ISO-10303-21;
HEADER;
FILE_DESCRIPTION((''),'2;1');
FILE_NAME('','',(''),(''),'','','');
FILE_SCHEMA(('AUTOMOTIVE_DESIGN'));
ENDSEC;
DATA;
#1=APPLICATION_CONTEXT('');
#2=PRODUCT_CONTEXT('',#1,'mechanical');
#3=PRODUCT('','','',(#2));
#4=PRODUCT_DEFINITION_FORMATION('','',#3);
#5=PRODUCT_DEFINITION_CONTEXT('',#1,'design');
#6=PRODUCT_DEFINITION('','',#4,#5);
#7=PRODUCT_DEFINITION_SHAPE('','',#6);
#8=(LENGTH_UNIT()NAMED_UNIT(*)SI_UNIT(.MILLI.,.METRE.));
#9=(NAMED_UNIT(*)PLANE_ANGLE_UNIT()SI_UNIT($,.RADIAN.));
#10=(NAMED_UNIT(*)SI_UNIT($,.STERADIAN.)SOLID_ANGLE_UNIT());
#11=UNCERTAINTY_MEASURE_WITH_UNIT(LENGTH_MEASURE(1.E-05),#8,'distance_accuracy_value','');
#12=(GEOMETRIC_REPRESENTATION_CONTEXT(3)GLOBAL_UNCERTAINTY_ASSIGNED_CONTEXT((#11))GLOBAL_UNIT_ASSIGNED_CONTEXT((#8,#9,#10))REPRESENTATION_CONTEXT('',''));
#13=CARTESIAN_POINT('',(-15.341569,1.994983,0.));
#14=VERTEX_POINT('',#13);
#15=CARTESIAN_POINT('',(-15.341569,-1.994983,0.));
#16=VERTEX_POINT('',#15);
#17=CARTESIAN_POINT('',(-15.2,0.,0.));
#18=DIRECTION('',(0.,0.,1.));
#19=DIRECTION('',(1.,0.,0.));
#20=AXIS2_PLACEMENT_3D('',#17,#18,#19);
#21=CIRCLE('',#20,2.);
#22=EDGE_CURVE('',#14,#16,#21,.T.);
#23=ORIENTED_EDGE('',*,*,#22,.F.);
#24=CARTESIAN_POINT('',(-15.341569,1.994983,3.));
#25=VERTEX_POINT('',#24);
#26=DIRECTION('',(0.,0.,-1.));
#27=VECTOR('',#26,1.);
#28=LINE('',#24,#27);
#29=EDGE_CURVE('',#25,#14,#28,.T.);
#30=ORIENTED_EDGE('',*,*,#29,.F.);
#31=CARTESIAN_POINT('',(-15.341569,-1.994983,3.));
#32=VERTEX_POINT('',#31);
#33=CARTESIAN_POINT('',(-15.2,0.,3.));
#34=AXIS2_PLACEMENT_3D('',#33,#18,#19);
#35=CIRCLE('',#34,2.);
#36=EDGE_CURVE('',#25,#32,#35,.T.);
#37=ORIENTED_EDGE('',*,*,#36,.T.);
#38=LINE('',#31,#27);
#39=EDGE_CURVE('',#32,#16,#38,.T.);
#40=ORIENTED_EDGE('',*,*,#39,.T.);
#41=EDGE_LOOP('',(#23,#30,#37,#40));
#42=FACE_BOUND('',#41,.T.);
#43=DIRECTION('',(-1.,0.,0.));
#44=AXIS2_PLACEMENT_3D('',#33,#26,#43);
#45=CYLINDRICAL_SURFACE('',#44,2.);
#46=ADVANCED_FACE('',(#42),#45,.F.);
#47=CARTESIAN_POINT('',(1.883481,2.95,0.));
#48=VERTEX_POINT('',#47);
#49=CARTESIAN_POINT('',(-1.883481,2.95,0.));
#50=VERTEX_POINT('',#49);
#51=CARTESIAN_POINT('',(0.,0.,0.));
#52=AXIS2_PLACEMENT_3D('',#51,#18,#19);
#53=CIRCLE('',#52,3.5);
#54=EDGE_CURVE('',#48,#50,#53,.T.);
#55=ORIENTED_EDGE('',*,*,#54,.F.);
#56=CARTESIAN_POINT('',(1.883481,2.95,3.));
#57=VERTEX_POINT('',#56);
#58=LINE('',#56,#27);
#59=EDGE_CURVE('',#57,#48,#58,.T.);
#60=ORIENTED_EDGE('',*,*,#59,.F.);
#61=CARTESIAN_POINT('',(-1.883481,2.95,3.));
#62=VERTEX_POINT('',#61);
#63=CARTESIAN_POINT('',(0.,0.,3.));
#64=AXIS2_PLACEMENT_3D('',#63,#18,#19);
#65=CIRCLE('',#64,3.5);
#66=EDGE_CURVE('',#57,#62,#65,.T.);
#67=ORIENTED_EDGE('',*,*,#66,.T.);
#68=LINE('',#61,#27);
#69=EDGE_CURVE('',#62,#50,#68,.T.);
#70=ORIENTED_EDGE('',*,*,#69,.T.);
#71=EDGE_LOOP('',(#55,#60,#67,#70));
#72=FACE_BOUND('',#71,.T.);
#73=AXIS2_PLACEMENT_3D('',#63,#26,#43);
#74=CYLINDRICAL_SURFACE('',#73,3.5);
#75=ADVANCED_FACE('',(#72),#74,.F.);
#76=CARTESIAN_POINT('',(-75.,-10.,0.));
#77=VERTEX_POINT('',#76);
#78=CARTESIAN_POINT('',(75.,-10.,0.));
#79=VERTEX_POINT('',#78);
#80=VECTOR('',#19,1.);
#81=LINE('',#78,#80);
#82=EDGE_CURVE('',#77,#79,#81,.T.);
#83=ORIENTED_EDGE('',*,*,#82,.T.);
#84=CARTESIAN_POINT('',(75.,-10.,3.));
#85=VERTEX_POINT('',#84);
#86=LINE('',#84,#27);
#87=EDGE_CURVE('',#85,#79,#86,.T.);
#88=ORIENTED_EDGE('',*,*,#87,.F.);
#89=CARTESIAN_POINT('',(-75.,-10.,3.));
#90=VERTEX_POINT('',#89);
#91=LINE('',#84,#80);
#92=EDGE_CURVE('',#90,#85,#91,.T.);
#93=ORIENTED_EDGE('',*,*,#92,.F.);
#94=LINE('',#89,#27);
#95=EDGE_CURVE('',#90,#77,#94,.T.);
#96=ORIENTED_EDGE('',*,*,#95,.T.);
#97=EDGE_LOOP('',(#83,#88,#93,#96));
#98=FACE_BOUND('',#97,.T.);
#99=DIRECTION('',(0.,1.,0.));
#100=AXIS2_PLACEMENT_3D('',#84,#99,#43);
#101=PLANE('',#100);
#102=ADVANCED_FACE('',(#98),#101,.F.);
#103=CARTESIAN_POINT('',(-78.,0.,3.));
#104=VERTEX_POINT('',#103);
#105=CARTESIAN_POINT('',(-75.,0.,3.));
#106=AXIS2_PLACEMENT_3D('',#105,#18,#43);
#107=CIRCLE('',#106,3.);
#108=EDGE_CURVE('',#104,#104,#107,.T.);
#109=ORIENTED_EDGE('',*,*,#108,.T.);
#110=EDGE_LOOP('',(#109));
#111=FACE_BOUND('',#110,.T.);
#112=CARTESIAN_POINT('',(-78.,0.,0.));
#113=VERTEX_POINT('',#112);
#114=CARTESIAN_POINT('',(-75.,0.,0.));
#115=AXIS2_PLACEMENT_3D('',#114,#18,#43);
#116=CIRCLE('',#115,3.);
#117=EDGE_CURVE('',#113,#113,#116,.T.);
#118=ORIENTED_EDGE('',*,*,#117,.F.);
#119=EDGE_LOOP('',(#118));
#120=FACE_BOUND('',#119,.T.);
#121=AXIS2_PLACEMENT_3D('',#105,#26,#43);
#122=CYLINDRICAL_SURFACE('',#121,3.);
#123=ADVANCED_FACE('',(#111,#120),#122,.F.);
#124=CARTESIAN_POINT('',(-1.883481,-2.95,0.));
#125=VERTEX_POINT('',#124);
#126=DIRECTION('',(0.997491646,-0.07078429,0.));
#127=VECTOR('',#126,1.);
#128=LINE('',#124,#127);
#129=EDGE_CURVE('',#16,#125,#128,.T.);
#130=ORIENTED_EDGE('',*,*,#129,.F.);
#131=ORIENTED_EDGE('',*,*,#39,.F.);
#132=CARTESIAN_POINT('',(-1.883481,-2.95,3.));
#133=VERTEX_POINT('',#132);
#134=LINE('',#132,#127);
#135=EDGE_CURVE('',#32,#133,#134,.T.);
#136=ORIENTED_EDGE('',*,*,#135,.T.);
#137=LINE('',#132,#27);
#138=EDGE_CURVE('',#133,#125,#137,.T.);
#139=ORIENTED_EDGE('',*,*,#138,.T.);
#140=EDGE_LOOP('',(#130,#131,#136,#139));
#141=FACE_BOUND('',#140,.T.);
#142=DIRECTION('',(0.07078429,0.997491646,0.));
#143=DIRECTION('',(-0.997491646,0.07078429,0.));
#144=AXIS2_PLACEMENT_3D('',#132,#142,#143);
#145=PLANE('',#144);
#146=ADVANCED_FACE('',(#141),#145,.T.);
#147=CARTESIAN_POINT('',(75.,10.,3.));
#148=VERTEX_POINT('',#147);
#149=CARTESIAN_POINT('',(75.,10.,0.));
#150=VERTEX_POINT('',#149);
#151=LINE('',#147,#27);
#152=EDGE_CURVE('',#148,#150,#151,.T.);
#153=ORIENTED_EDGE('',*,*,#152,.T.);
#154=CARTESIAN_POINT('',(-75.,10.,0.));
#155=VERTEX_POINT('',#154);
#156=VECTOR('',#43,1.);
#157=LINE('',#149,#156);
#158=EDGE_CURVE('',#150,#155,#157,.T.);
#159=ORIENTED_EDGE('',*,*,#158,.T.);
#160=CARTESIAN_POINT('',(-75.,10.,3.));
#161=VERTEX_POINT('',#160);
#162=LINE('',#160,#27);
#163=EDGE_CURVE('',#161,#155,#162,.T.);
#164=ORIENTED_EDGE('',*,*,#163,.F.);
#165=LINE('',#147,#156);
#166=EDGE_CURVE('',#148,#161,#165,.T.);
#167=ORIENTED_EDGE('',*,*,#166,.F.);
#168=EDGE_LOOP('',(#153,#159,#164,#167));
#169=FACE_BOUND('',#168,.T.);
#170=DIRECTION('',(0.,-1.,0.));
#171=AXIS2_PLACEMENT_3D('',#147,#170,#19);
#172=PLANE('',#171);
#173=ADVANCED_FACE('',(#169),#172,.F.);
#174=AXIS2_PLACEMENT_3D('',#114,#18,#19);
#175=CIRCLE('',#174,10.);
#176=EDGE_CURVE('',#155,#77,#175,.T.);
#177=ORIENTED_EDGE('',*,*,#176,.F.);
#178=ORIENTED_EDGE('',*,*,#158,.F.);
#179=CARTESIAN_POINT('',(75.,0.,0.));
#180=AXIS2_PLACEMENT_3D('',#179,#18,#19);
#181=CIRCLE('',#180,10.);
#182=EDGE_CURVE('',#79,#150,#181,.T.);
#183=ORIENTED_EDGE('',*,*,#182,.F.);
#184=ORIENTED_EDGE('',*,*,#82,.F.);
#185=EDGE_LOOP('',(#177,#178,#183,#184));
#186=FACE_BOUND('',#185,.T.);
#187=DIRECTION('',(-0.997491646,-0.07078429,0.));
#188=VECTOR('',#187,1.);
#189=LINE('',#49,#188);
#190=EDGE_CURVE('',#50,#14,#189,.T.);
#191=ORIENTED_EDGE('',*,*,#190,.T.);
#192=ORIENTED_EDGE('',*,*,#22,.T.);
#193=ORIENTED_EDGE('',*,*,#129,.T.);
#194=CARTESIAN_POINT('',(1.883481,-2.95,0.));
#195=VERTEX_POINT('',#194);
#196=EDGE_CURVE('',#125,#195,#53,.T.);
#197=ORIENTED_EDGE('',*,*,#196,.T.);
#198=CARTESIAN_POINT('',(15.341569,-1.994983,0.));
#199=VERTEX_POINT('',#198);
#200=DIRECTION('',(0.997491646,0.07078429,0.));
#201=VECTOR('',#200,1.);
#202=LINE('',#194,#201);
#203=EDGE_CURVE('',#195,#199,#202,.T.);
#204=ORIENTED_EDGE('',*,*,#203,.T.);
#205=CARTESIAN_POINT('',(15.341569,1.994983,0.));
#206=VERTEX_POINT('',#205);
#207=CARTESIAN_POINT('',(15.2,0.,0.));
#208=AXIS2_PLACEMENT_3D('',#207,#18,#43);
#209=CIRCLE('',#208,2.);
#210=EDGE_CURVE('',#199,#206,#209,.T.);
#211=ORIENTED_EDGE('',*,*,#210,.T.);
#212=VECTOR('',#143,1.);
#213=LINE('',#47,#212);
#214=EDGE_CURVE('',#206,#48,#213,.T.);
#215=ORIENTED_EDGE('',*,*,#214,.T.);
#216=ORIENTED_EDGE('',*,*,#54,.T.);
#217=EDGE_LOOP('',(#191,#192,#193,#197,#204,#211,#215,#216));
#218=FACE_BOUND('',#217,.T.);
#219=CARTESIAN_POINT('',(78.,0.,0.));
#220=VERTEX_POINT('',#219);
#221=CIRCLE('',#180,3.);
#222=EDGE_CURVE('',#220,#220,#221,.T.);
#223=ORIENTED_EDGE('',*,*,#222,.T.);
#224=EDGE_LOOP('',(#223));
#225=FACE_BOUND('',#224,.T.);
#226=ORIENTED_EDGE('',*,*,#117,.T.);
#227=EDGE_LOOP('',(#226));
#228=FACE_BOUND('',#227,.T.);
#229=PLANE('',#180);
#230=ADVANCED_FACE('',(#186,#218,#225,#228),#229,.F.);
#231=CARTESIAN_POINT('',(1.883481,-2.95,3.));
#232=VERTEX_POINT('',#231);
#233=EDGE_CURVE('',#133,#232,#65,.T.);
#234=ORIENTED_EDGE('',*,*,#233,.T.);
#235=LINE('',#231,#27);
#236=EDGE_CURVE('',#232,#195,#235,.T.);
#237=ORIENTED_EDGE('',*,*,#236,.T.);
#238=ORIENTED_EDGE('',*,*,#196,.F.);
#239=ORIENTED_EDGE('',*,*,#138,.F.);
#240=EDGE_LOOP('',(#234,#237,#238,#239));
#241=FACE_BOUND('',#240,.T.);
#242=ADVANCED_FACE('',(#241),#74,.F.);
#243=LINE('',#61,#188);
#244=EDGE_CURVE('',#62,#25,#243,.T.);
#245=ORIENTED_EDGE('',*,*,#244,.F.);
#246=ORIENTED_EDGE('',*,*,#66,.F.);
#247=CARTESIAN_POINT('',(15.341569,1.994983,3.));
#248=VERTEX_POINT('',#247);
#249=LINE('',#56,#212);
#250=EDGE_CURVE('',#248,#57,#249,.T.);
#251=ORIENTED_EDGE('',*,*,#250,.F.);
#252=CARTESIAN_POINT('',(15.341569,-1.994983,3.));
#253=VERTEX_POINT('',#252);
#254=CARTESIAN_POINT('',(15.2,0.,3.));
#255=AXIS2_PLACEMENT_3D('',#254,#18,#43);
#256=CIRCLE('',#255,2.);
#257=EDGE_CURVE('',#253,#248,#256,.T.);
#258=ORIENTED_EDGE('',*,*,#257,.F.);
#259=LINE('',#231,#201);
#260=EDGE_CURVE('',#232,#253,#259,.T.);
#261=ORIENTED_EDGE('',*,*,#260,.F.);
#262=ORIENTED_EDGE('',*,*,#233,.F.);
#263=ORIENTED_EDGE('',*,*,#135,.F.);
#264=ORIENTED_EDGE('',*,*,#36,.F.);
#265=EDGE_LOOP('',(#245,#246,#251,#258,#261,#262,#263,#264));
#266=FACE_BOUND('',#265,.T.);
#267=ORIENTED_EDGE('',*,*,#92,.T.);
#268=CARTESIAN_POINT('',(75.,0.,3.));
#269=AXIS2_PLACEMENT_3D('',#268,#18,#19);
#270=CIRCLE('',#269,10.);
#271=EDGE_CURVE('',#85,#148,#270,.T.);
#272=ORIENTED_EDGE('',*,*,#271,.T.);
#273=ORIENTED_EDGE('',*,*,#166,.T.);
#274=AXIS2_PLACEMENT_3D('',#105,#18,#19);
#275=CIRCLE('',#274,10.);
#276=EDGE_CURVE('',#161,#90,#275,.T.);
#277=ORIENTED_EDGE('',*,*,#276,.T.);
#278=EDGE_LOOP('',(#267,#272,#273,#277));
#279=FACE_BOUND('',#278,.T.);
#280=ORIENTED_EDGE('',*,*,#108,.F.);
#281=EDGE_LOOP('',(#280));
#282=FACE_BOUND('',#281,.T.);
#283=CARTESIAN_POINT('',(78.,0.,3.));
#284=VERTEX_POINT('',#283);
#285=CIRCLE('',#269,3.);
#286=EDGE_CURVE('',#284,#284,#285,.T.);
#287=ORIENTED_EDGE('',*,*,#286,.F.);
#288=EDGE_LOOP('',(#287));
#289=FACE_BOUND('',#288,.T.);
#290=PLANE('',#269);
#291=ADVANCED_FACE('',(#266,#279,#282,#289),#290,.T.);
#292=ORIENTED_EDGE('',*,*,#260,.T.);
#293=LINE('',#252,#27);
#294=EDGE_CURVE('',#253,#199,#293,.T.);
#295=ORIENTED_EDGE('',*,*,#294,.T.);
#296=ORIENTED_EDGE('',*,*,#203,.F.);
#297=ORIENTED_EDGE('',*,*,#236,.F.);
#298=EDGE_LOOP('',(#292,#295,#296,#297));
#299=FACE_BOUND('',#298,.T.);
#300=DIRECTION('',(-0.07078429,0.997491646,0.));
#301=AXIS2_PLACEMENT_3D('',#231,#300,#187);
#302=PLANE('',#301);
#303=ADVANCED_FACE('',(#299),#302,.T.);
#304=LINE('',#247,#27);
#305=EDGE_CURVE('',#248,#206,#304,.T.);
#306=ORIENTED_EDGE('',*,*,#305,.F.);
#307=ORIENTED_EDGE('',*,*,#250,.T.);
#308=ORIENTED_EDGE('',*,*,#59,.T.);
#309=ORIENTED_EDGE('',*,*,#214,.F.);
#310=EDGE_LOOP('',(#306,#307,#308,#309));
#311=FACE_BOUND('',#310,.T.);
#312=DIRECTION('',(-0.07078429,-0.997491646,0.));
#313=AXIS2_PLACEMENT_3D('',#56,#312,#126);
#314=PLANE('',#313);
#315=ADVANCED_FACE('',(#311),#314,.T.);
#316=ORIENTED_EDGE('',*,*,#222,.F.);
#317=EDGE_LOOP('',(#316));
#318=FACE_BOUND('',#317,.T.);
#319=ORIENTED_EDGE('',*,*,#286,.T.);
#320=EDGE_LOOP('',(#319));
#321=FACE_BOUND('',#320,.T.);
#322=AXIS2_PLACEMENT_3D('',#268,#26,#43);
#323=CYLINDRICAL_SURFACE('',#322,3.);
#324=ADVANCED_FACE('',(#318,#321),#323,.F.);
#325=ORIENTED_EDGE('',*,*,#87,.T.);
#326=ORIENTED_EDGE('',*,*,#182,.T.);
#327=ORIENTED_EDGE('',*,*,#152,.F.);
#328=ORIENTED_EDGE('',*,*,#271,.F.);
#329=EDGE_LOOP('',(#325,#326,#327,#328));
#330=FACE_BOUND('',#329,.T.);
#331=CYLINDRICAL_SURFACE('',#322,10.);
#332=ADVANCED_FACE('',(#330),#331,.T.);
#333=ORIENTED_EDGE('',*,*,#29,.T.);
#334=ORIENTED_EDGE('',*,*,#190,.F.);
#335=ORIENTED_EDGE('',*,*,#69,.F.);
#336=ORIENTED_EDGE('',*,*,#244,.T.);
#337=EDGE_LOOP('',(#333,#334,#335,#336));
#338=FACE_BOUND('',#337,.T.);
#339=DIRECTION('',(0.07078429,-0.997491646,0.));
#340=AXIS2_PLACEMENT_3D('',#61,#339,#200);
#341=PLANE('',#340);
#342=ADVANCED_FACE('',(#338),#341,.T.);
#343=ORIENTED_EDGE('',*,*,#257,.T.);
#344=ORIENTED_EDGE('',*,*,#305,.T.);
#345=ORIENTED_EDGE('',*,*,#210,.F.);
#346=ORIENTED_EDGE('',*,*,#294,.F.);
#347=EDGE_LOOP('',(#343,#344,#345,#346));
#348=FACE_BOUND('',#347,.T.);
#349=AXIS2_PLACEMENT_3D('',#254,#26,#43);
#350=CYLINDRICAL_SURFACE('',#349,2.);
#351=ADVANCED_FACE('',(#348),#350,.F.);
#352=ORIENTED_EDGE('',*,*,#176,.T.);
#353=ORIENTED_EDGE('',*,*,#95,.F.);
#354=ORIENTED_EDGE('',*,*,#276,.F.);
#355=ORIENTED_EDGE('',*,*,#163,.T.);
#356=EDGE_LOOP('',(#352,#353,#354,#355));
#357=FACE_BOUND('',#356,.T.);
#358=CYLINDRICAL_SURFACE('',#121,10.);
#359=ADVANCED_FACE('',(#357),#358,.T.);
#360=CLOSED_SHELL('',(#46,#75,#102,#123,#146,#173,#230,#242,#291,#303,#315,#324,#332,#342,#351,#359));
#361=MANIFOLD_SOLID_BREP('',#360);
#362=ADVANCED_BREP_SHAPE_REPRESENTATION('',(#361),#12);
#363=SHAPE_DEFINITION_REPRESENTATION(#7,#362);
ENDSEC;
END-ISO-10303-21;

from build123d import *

# Parameters (mm, degrees)
SKETCH1_R           = 3
BOSS_EXTRUDE1_DEPTH = 3


with BuildPart() as part:
    # Sketch1 → Boss-Extrude1 (new body)
    with BuildSketch(Plane.XY):
        with BuildLine():
            Line((75, -10), (-75, -10))
            ThreePointArc((-75, -10), (-85, 0), (-75, 10))
            Line((-75, 10), (75, 10))
            ThreePointArc((75, 10), (85, 0), (75, -10))
        make_face()
        with Locations((75, 0)):
            Circle(SKETCH1_R, mode=Mode.SUBTRACT)
        with Locations((-75, 0)):
            Circle(SKETCH1_R, mode=Mode.SUBTRACT)
        with BuildLine():
            Line((-1.88348082, 2.95), (-15.34156858, 1.994983292))
            ThreePointArc((-15.34156858, 1.994983292), (-17.2, 0), (-15.34156858, -1.994983292))
            Line((-15.34156858, -1.994983292), (-1.88348082, -2.95))
            ThreePointArc((-1.88348082, -2.95), (0, -3.5), (1.88348082, -2.95))
            Line((1.88348082, -2.95), (15.34156858, -1.994983292))
            ThreePointArc((15.34156858, -1.994983292), (17.2, 0), (15.34156858, 1.994983292))
            Line((15.34156858, 1.994983292), (1.88348082, 2.95))
            ThreePointArc((1.88348082, 2.95), (0, 3.5), (-1.88348082, 2.95))
        make_face(mode=Mode.SUBTRACT)
    extrude(amount=BOSS_EXTRUDE1_DEPTH)


solid = part.part
